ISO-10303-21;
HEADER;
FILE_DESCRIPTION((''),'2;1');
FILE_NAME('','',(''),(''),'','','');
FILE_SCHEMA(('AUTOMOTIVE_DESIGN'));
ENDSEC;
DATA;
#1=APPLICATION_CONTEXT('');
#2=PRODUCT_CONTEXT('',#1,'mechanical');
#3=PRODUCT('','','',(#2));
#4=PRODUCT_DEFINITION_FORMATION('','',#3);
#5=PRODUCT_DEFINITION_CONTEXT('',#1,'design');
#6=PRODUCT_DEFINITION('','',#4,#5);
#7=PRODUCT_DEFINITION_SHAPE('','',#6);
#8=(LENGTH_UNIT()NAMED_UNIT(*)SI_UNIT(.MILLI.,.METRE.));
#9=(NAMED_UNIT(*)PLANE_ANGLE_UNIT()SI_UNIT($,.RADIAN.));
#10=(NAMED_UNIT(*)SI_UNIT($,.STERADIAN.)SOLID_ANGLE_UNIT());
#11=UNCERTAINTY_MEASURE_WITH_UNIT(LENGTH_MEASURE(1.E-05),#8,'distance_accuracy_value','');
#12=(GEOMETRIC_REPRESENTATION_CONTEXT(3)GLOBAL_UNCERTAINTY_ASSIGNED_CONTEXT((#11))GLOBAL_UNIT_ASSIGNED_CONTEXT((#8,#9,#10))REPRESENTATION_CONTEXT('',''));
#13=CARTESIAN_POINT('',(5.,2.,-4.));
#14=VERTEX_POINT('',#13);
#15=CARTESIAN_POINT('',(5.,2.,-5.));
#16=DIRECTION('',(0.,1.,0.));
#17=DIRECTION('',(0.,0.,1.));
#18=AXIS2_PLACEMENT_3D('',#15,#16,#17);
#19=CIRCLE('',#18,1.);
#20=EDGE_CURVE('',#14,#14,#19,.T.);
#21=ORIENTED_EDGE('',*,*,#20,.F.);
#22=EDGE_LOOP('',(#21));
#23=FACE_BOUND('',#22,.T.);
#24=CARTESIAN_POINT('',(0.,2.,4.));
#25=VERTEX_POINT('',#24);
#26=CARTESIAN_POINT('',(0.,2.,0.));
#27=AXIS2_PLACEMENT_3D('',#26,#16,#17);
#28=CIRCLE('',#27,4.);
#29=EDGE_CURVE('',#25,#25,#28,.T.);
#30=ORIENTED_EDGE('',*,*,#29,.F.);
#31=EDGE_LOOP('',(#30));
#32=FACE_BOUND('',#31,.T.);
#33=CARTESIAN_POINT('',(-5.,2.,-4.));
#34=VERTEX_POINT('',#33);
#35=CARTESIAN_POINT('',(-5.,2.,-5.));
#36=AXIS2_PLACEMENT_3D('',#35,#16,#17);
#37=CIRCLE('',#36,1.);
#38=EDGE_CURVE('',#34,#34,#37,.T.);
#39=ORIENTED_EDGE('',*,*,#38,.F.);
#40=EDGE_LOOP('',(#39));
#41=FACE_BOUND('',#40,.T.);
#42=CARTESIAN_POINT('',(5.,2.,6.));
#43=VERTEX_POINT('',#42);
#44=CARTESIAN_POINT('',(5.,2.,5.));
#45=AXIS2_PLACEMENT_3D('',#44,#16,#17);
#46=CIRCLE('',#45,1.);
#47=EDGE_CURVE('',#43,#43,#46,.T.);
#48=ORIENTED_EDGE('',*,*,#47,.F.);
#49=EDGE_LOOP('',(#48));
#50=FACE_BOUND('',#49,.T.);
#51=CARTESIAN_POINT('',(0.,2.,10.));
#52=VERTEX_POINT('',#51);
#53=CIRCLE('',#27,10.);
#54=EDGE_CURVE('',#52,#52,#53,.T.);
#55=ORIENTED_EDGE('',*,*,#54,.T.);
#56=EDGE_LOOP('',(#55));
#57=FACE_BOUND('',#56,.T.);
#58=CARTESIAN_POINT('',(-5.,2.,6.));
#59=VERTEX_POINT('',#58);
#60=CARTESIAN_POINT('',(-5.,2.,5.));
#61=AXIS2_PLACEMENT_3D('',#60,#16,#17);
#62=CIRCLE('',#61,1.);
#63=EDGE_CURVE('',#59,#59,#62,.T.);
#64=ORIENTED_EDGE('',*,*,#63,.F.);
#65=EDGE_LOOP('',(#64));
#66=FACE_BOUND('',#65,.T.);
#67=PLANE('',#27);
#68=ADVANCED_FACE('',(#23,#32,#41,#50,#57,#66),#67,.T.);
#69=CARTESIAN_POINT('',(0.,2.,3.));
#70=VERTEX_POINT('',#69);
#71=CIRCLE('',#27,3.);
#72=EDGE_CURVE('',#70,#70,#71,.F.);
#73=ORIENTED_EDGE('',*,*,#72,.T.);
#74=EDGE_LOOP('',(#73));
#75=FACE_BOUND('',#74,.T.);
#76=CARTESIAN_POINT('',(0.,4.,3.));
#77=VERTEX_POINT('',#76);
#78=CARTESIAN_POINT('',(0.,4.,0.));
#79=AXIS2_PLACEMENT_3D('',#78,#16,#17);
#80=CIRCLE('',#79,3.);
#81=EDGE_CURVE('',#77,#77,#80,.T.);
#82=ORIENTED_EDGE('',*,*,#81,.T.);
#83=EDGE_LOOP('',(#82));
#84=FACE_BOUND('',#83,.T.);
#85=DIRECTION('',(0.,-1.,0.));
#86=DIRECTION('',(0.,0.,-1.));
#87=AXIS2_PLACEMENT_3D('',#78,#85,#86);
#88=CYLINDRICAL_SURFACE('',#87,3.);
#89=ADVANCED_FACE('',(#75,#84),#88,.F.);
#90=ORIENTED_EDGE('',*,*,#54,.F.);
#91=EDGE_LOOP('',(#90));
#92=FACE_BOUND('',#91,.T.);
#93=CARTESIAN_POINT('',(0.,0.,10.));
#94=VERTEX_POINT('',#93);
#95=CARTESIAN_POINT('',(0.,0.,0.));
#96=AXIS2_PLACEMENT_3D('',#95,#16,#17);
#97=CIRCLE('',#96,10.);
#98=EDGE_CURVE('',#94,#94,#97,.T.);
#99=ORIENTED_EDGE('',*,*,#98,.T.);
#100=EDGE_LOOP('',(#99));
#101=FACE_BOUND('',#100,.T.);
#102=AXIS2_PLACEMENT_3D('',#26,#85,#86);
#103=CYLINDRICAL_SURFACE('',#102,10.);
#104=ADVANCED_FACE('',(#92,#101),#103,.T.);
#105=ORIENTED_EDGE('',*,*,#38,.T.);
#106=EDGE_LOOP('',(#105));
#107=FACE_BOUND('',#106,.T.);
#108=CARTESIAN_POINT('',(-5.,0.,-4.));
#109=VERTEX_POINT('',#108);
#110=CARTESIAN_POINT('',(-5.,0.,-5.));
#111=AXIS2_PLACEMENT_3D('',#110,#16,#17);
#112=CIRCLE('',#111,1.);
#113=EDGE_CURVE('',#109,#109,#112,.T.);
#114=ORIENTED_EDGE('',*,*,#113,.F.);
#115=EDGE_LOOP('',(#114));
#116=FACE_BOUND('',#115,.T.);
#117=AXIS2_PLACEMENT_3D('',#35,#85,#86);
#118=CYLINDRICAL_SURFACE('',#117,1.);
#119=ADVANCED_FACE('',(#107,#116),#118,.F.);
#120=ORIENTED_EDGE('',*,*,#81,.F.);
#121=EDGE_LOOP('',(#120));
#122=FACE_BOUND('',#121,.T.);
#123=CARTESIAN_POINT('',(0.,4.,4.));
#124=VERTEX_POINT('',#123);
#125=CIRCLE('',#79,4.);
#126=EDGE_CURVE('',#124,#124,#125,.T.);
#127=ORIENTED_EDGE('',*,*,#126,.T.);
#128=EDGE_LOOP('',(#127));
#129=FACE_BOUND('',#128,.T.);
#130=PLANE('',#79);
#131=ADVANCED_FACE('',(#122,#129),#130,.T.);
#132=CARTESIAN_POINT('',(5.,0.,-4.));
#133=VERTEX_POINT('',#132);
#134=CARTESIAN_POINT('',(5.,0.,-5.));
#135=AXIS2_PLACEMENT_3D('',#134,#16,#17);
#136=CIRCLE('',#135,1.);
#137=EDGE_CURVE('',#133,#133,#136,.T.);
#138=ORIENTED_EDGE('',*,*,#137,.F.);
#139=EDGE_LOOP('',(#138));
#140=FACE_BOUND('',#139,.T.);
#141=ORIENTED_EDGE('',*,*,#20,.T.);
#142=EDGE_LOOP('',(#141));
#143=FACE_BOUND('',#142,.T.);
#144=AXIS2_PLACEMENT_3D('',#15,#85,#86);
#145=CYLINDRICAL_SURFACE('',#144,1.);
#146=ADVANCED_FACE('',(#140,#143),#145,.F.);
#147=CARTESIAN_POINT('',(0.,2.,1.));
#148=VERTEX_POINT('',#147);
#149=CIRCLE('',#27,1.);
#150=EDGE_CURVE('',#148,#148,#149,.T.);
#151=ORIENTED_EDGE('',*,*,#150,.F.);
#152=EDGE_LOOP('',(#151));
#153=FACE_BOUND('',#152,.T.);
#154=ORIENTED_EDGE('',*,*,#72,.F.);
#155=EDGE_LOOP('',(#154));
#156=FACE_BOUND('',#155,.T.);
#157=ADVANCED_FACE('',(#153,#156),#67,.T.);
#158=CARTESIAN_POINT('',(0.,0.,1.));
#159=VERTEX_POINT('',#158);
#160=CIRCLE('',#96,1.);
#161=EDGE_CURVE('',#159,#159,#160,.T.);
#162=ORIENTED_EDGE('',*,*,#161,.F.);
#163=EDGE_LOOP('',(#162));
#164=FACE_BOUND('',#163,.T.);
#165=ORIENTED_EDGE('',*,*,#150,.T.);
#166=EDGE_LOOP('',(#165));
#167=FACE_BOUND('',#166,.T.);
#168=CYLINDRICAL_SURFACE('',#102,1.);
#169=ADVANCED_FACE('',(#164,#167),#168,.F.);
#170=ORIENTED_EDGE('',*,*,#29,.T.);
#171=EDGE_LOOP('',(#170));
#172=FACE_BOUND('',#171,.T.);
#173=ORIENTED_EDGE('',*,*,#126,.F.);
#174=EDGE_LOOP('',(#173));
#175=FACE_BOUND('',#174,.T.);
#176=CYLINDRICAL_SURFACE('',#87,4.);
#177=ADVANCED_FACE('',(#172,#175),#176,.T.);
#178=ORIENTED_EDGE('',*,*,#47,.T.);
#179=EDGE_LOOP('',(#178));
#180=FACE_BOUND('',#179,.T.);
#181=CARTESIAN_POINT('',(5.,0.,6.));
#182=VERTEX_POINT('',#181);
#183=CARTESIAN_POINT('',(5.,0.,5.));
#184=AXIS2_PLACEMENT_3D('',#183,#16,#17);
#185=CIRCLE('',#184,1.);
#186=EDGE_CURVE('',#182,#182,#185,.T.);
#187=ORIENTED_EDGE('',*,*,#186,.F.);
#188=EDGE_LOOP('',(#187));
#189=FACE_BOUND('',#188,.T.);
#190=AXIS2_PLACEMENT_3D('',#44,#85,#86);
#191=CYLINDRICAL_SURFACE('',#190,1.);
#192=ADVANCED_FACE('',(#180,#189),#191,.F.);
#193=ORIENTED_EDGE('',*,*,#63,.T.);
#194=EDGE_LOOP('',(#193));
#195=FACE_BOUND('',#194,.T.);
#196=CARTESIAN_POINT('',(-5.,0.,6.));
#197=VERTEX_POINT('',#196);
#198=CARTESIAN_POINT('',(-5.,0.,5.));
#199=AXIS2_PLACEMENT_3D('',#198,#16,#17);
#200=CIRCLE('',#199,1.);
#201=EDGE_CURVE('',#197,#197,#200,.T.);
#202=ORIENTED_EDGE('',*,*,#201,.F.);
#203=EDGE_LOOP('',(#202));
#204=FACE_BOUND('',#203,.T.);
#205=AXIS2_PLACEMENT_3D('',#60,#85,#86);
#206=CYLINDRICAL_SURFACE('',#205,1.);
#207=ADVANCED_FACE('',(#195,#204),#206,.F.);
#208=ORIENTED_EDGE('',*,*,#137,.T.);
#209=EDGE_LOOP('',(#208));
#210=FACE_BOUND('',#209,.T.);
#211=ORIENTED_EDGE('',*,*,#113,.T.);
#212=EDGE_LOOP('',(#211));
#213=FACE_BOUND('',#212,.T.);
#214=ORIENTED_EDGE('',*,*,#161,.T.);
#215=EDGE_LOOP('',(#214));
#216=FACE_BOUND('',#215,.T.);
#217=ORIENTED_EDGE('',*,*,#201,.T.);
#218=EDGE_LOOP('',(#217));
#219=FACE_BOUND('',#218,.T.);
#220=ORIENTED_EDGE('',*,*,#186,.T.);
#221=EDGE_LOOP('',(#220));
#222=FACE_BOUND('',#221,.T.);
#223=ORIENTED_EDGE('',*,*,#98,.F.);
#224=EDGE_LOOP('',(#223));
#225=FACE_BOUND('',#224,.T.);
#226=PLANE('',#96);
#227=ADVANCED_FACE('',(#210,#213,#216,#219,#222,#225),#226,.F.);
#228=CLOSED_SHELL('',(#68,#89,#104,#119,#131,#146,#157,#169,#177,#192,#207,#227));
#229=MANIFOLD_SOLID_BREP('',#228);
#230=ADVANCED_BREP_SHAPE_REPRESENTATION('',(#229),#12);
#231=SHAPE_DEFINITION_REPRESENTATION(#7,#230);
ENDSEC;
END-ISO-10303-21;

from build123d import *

# Parameters (mm, degrees)
SKETCH_1_R      = 10
SKETCH_1_R_2    = 1
SKETCH_1_R_3    = 3.083795415
EXTRUDE_1_DEPTH = 2
SKETCH_2_R      = 4
SKETCH_2_R_2    = 3
EXTRUDE_2_DEPTH = 2


with BuildPart() as part:
    # 草图1 → 凸台-拉伸1 (new body)
    # profile 1 of 2: a face of its own
    with BuildSketch(Plane(origin=(0, 0, 0), x_dir=(1, 0, 0), z_dir=(0, 1, 0))):
        with Locations(Location((0, 0, 0), (0, 0, 270))):
            Circle(SKETCH_1_R)
        with Locations(Location((-5, -5, 0), (0, 0, 270))):
            Circle(SKETCH_1_R_2, mode=Mode.SUBTRACT)
        with Locations(Location((5, -5, 0), (0, 0, 270))):
            Circle(SKETCH_1_R_2, mode=Mode.SUBTRACT)
        with Locations(Location((5, 5, 0), (0, 0, 270))):
            Circle(SKETCH_1_R_2, mode=Mode.SUBTRACT)
        with Locations(Location((-5, 5, 0), (0, 0, 270))):
            Circle(SKETCH_1_R_2, mode=Mode.SUBTRACT)
        Circle(SKETCH_1_R_3, mode=Mode.SUBTRACT)
    # profile 2 of 2: a face of its own
    with BuildSketch(Plane(origin=(0, 0, 0), x_dir=(1, 0, 0), z_dir=(0, 1, 0))):
        Circle(SKETCH_1_R_3)
        with Locations(Location((0, 0, 0), (0, 0, 270))):
            Circle(SKETCH_1_R_2, mode=Mode.SUBTRACT)
    extrude(amount=EXTRUDE_1_DEPTH)

    # 草图2 → 凸台-拉伸2 (add)
    with BuildSketch(Plane(origin=(0, 2, 0), x_dir=(1, 0, 0), z_dir=(0, 1, 0))):
        with Locations(Location((0, 0, 0), (0, 0, 270))):
            Circle(SKETCH_2_R)
        with Locations(Location((0, 0, 0), (0, 0, 270))):
            Circle(SKETCH_2_R_2, mode=Mode.SUBTRACT)
    extrude(amount=EXTRUDE_2_DEPTH)


solid = part.part
